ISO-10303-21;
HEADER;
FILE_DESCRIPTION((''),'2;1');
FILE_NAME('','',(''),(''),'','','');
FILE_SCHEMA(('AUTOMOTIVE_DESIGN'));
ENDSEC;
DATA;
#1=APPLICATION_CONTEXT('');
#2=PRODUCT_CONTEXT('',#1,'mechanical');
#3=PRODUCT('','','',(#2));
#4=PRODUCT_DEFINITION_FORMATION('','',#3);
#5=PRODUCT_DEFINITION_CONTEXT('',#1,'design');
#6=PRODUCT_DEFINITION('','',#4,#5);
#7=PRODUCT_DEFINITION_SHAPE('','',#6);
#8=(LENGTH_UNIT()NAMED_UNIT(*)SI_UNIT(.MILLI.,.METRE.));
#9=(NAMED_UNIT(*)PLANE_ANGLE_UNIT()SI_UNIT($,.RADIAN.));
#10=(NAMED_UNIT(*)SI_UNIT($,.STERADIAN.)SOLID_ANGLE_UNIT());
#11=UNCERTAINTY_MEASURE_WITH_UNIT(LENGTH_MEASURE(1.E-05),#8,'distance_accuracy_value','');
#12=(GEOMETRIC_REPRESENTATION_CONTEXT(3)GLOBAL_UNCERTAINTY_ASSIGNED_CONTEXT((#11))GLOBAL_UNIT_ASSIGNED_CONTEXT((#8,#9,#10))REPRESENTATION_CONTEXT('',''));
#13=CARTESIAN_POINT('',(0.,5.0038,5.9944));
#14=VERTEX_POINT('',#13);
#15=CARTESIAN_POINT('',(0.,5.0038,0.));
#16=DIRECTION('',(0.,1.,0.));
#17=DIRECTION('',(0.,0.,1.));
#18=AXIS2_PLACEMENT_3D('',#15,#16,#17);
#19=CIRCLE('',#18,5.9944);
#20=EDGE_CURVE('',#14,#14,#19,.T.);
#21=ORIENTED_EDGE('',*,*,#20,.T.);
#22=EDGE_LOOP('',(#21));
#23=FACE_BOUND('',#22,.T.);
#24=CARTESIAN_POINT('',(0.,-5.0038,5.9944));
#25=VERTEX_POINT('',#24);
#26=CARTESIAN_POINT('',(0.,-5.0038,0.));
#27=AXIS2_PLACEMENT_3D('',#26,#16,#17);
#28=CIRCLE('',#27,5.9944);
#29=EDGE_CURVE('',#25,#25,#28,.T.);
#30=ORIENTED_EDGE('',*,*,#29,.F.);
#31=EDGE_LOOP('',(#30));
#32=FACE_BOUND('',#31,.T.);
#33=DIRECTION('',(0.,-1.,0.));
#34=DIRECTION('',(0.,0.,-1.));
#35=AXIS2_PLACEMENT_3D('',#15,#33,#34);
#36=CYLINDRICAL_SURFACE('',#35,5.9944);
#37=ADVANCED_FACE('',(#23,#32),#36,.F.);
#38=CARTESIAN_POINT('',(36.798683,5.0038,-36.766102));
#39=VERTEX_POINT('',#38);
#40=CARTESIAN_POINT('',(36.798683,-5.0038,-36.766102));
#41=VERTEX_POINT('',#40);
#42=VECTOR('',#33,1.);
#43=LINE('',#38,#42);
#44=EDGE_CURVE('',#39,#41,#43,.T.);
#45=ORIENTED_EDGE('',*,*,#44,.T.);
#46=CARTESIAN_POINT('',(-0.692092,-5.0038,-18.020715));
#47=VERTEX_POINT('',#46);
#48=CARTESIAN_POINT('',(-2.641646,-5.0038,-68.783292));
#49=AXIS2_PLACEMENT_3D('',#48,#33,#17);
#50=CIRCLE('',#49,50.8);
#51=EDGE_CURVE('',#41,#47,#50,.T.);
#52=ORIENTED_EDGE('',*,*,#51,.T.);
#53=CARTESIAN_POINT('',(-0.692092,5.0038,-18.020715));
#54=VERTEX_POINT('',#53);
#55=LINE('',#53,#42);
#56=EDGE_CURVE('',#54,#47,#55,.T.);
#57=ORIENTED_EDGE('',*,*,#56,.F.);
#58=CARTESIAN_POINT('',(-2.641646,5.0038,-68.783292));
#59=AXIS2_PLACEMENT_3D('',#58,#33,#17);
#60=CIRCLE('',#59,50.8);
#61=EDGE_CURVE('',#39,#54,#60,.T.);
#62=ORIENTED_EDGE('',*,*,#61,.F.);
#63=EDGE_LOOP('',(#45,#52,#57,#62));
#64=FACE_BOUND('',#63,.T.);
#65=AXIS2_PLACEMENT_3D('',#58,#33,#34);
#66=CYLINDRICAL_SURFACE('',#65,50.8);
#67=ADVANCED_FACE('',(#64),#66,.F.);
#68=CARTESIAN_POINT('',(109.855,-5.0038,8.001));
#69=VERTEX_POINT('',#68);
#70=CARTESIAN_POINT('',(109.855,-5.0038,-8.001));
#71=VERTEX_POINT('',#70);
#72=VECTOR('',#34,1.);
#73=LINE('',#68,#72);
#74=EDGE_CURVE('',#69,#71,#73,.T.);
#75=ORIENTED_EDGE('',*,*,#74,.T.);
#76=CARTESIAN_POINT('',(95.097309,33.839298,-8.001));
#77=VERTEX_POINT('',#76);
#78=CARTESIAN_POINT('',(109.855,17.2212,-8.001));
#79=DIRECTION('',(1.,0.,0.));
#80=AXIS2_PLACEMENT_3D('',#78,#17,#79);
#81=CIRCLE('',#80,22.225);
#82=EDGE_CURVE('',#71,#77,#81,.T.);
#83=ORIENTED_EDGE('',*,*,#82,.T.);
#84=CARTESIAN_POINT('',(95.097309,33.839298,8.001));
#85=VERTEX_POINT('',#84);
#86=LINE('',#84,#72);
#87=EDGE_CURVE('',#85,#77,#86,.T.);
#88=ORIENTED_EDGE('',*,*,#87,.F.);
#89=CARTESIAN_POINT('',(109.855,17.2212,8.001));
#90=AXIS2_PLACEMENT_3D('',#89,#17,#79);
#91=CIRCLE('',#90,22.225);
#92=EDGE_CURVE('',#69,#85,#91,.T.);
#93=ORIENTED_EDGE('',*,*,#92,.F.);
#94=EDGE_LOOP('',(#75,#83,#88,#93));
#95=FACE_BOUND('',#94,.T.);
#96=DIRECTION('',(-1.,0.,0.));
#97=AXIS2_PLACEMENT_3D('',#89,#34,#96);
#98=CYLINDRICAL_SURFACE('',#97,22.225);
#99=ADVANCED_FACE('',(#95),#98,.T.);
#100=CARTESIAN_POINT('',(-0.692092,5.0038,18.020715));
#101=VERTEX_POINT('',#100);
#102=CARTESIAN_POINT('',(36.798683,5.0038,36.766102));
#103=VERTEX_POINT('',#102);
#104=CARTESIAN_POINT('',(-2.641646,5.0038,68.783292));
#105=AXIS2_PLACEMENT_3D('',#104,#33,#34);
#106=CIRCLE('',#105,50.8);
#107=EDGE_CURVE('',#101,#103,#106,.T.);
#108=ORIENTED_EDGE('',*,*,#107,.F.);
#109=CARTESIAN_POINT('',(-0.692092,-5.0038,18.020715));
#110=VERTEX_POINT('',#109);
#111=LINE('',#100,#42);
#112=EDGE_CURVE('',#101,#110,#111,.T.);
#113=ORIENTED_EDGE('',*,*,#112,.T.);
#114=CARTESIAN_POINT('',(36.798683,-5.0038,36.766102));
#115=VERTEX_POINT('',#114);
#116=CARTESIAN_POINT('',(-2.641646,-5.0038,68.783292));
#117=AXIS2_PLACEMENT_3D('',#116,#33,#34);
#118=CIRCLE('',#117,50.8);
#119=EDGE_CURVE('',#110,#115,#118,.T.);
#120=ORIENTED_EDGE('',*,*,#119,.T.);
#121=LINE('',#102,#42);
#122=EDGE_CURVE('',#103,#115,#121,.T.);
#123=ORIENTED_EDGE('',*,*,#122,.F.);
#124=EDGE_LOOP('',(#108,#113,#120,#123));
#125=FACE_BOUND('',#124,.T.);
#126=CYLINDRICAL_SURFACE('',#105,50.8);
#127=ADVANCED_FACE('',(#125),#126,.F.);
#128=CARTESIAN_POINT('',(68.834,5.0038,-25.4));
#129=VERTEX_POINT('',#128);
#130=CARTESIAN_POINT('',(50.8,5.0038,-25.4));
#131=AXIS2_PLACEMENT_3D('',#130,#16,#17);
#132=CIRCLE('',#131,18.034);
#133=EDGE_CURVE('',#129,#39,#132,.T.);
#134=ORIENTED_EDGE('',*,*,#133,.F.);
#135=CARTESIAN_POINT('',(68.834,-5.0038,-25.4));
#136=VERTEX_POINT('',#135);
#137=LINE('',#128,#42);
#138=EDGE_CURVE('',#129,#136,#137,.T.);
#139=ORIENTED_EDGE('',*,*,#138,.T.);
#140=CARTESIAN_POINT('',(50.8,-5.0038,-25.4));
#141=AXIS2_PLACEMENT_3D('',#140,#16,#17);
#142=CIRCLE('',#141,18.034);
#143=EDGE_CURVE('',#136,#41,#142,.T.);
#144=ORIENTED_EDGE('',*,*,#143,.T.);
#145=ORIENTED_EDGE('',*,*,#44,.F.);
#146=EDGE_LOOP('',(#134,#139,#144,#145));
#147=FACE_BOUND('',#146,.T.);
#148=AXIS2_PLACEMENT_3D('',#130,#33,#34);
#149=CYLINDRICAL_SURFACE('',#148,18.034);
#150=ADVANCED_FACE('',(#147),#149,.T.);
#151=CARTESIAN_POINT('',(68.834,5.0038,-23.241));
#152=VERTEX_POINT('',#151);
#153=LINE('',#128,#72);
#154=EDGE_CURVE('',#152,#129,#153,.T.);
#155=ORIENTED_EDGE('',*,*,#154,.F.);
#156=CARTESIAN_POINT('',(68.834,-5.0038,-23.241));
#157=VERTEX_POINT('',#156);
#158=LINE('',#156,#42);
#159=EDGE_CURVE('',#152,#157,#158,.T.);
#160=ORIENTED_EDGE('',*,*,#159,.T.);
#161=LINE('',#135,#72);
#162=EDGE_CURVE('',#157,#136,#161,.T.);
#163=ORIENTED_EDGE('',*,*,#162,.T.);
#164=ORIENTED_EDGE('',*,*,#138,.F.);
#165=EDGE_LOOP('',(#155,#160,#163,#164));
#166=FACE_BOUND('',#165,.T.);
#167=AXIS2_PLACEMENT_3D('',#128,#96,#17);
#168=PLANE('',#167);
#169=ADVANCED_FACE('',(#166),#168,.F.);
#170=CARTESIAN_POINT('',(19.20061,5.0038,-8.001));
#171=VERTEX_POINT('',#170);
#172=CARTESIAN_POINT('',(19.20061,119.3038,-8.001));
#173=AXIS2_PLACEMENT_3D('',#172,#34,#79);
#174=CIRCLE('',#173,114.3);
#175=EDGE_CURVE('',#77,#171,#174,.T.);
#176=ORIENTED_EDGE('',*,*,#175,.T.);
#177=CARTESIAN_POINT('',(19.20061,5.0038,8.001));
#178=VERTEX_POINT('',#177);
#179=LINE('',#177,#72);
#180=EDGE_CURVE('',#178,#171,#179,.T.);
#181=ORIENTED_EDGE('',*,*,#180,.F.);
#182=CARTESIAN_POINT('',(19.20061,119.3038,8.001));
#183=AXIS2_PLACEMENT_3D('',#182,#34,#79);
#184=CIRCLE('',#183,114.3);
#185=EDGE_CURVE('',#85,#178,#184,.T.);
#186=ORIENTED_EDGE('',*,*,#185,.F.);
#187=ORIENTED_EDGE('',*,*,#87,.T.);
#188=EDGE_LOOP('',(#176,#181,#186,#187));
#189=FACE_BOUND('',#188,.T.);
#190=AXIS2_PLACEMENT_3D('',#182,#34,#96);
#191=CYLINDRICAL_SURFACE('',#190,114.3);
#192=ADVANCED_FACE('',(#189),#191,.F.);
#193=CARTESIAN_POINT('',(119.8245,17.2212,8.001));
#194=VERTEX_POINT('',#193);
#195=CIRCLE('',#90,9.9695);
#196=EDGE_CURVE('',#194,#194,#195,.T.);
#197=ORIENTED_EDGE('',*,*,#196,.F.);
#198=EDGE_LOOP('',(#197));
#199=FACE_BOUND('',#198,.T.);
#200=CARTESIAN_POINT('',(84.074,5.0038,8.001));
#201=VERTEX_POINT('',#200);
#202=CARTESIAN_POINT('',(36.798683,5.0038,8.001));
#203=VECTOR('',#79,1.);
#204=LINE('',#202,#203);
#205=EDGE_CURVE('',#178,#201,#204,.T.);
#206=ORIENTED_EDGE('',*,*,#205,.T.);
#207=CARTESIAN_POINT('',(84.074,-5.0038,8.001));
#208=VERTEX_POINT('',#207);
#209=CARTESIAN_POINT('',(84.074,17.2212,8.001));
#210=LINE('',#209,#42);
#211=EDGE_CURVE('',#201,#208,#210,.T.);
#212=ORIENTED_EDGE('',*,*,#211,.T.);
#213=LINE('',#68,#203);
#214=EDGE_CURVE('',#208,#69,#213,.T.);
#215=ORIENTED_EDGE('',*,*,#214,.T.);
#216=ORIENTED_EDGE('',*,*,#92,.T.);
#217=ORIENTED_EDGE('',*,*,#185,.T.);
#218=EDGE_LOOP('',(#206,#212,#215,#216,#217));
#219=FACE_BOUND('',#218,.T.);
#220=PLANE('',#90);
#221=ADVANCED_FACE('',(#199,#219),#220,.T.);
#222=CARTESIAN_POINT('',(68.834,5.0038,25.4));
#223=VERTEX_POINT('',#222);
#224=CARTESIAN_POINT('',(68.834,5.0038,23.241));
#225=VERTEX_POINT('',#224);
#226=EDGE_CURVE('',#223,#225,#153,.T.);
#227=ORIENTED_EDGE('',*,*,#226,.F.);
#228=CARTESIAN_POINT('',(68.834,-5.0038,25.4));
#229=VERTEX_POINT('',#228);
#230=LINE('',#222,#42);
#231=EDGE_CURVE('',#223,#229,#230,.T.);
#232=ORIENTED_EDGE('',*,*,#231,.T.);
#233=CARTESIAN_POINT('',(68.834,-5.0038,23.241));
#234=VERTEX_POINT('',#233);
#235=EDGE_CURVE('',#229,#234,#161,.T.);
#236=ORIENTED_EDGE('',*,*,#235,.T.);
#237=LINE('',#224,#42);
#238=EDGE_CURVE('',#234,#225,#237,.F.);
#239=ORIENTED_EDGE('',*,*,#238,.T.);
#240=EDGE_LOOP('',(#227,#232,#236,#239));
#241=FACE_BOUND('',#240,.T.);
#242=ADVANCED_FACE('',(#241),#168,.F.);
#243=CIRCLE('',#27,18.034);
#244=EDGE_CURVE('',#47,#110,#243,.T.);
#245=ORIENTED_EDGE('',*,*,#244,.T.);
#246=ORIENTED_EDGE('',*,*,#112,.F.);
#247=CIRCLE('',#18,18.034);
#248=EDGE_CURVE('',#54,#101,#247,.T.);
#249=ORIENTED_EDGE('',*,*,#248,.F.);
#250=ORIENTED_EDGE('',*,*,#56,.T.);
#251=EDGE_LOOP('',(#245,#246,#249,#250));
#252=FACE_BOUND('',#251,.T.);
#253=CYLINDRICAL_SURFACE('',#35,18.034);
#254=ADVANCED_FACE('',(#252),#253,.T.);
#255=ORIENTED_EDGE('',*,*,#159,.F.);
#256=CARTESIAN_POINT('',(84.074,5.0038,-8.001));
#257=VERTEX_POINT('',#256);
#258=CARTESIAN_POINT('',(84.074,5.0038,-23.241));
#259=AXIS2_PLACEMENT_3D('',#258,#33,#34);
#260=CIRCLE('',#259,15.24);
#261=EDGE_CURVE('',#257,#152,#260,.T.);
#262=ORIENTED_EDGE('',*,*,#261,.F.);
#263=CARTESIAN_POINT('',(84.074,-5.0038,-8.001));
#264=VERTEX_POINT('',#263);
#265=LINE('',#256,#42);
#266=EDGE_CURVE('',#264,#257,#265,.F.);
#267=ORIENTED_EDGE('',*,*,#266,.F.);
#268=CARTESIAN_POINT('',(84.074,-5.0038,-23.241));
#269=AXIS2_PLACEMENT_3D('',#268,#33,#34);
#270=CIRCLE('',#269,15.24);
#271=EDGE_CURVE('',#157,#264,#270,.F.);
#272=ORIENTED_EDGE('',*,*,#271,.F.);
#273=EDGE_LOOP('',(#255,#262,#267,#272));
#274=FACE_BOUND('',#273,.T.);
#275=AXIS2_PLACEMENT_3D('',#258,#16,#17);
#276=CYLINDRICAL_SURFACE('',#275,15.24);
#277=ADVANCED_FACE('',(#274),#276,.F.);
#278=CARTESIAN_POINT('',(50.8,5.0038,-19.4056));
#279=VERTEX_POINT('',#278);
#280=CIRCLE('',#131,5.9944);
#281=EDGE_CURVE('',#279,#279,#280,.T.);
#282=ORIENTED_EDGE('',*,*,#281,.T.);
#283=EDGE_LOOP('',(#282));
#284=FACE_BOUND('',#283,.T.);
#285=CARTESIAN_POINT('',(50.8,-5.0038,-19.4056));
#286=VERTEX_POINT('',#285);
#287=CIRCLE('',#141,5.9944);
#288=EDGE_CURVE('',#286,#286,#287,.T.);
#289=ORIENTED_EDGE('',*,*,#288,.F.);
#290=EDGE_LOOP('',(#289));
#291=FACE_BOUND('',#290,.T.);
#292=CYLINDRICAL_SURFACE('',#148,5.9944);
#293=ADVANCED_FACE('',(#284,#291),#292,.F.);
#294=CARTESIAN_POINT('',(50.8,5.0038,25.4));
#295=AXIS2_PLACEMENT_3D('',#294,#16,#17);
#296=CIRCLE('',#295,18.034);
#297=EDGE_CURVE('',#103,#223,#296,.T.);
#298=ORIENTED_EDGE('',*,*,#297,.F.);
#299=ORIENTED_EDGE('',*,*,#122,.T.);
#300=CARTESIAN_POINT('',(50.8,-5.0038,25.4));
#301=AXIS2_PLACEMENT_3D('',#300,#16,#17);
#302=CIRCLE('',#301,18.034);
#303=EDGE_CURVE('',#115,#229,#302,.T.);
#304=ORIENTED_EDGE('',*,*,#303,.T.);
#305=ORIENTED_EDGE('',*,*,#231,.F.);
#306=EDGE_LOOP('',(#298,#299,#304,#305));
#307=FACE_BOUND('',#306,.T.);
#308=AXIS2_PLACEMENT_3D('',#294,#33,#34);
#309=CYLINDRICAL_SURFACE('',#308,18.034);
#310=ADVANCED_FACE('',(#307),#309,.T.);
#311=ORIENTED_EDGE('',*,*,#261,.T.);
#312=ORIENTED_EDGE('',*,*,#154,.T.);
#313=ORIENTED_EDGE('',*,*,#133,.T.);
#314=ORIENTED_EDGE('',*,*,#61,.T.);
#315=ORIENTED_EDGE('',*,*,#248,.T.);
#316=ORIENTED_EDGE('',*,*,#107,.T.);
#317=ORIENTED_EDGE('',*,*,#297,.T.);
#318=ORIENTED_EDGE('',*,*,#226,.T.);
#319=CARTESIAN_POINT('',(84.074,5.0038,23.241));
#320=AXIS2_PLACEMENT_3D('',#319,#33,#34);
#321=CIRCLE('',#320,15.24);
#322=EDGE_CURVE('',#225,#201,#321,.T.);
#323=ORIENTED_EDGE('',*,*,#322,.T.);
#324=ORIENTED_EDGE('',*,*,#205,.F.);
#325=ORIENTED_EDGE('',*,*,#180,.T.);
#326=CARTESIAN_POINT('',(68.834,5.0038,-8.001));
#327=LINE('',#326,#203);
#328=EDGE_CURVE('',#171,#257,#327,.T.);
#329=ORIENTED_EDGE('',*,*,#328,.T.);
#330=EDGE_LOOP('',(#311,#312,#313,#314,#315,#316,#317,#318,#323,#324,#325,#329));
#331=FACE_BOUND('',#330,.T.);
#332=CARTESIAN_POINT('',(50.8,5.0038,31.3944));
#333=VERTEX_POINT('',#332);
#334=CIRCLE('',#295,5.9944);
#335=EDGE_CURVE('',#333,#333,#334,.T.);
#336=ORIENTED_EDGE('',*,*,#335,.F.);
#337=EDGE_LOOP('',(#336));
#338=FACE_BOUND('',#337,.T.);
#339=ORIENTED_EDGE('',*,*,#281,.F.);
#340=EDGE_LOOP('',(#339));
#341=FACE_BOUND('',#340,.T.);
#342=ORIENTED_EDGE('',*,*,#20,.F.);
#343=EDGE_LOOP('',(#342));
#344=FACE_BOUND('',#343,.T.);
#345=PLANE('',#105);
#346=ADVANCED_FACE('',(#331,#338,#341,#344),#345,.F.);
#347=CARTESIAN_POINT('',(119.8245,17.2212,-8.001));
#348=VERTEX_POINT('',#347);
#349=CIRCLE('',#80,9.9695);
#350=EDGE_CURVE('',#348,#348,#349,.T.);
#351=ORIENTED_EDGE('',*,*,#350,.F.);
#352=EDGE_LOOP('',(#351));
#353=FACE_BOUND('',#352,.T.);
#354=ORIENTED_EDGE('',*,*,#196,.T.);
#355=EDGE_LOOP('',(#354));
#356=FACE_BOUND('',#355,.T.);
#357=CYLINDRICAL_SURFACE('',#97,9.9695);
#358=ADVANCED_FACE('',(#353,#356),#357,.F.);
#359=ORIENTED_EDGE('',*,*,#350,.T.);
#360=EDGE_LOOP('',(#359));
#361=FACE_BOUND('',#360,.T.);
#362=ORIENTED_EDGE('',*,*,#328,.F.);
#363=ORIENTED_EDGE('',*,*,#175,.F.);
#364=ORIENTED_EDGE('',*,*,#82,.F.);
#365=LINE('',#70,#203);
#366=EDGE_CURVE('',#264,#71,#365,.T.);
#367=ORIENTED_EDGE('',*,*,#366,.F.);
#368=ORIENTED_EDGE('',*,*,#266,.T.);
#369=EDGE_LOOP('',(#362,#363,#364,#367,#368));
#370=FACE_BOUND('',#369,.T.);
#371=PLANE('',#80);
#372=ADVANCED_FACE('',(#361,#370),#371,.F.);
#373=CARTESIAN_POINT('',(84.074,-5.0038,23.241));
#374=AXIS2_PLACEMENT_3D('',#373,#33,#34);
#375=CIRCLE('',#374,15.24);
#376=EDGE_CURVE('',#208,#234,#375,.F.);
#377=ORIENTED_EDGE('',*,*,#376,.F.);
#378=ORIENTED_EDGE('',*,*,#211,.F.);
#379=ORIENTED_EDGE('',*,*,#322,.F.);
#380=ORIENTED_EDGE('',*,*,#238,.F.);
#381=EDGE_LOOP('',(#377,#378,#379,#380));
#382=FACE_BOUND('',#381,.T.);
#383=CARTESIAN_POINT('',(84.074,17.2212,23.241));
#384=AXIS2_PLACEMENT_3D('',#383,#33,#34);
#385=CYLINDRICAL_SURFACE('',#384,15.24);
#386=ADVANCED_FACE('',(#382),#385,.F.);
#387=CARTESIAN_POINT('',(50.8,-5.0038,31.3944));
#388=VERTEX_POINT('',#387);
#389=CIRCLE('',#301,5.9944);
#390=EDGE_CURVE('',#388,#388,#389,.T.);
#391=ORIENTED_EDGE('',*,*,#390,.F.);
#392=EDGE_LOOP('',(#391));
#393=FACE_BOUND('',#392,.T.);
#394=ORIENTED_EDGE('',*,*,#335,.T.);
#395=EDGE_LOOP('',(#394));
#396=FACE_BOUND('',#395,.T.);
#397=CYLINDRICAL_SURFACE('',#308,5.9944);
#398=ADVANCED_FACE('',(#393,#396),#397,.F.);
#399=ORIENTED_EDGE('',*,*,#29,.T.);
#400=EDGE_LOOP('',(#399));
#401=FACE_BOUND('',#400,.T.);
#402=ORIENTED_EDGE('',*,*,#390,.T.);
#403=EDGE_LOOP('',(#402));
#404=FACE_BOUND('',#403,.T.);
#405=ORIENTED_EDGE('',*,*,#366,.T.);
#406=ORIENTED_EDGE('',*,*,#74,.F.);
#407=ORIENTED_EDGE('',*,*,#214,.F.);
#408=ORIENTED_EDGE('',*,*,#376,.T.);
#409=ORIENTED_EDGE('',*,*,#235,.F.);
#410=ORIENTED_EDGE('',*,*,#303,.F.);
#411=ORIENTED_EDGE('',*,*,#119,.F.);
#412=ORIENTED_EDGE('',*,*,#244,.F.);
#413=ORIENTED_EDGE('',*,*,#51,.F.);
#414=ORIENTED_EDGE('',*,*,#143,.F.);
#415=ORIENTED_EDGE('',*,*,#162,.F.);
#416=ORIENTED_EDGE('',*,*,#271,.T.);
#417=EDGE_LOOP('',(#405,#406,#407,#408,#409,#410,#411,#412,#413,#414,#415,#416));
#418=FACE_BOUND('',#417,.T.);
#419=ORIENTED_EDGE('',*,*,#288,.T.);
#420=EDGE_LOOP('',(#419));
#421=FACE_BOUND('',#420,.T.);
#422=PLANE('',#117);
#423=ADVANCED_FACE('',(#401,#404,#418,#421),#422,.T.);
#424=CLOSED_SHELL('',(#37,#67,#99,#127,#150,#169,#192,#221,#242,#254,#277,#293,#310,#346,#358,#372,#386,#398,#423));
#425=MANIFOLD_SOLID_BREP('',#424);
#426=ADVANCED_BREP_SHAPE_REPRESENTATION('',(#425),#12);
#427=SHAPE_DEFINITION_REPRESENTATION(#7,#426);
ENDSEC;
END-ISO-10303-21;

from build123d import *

# Parameters (mm, degrees)
SKETCH2_R           = 5.9944
BOSS_EXTRUDE1_DEPTH = 5.0038
SKETCH3_R           = 9.9695
BOSS_EXTRUDE2_DEPTH = 8.001
FILLET1_R           = 15.24


with BuildPart() as part:
    # Sketch2 → Boss-Extrude1 (new, symmetric)
    with BuildSketch(Plane(origin=(0, 0, 0), x_dir=(1, 0, 0), z_dir=(0, 1, 0))):
        with BuildLine():
            Line((68.834, 25.4), (68.834, -25.4))
            ThreePointArc((68.834, -25.4), (56.830149579, -42.395953991), (36.798683148, -36.76610234))
            ThreePointArc((36.798683148, -36.76610234), (20.076804637, -23.346390726), (-0.69209176, -18.020714886))
            ThreePointArc((-0.69209176, -18.020714886), (-18.034, 0), (-0.69209176, 18.020714886))
            ThreePointArc((-0.69209176, 18.020714886), (20.076804637, 23.346390726), (36.798683148, 36.76610234))
            ThreePointArc((36.798683148, 36.76610234), (56.830149579, 42.395953991), (68.834, 25.4))
        make_face()
        with Locations(Location((0, 0, 0), (0, 0, 270))):
            Circle(SKETCH2_R, mode=Mode.SUBTRACT)
        with Locations(Location((50.8, 25.4, 0), (0, 0, 270))):
            Circle(SKETCH2_R, mode=Mode.SUBTRACT)
        with Locations(Location((50.8, -25.4, 0), (0, 0, 270))):
            Circle(SKETCH2_R, mode=Mode.SUBTRACT)
    extrude(amount=BOSS_EXTRUDE1_DEPTH, both=True)

    # Sketch3 → Boss-Extrude2 (add, symmetric)
    with BuildSketch(Plane.XY):
        with BuildLine():
            Line((109.855, -5.0038), (68.834, -5.0038))
            Line((68.834, -5.0038), (68.834, 5.0038))
            Line((68.834, 5.0038), (36.798683148, 5.0038))
            Line((36.798683148, 5.0038), (19.200610133, 5.0038))
            ThreePointArc((19.200610133, 5.0038), (59.795544448, 12.455583787), (95.097308626, 33.839297674))
            ThreePointArc((95.097308626, 33.839297674), (130.631042041, 25.11465945), (109.855, -5.0038))
        make_face()
        with Locations((109.855, 17.2212)):
            Circle(SKETCH3_R, mode=Mode.SUBTRACT)
    extrude(amount=BOSS_EXTRUDE2_DEPTH, both=True)

    # Fillet1
    fillet1_edges = [part.edges().sort_by_distance(p)[0] for p in [
        (68.834, 0, 8.001),
        (68.834, 0, -8.001),
    ]]
    fillet(fillet1_edges, radius=FILLET1_R)


solid = part.part
